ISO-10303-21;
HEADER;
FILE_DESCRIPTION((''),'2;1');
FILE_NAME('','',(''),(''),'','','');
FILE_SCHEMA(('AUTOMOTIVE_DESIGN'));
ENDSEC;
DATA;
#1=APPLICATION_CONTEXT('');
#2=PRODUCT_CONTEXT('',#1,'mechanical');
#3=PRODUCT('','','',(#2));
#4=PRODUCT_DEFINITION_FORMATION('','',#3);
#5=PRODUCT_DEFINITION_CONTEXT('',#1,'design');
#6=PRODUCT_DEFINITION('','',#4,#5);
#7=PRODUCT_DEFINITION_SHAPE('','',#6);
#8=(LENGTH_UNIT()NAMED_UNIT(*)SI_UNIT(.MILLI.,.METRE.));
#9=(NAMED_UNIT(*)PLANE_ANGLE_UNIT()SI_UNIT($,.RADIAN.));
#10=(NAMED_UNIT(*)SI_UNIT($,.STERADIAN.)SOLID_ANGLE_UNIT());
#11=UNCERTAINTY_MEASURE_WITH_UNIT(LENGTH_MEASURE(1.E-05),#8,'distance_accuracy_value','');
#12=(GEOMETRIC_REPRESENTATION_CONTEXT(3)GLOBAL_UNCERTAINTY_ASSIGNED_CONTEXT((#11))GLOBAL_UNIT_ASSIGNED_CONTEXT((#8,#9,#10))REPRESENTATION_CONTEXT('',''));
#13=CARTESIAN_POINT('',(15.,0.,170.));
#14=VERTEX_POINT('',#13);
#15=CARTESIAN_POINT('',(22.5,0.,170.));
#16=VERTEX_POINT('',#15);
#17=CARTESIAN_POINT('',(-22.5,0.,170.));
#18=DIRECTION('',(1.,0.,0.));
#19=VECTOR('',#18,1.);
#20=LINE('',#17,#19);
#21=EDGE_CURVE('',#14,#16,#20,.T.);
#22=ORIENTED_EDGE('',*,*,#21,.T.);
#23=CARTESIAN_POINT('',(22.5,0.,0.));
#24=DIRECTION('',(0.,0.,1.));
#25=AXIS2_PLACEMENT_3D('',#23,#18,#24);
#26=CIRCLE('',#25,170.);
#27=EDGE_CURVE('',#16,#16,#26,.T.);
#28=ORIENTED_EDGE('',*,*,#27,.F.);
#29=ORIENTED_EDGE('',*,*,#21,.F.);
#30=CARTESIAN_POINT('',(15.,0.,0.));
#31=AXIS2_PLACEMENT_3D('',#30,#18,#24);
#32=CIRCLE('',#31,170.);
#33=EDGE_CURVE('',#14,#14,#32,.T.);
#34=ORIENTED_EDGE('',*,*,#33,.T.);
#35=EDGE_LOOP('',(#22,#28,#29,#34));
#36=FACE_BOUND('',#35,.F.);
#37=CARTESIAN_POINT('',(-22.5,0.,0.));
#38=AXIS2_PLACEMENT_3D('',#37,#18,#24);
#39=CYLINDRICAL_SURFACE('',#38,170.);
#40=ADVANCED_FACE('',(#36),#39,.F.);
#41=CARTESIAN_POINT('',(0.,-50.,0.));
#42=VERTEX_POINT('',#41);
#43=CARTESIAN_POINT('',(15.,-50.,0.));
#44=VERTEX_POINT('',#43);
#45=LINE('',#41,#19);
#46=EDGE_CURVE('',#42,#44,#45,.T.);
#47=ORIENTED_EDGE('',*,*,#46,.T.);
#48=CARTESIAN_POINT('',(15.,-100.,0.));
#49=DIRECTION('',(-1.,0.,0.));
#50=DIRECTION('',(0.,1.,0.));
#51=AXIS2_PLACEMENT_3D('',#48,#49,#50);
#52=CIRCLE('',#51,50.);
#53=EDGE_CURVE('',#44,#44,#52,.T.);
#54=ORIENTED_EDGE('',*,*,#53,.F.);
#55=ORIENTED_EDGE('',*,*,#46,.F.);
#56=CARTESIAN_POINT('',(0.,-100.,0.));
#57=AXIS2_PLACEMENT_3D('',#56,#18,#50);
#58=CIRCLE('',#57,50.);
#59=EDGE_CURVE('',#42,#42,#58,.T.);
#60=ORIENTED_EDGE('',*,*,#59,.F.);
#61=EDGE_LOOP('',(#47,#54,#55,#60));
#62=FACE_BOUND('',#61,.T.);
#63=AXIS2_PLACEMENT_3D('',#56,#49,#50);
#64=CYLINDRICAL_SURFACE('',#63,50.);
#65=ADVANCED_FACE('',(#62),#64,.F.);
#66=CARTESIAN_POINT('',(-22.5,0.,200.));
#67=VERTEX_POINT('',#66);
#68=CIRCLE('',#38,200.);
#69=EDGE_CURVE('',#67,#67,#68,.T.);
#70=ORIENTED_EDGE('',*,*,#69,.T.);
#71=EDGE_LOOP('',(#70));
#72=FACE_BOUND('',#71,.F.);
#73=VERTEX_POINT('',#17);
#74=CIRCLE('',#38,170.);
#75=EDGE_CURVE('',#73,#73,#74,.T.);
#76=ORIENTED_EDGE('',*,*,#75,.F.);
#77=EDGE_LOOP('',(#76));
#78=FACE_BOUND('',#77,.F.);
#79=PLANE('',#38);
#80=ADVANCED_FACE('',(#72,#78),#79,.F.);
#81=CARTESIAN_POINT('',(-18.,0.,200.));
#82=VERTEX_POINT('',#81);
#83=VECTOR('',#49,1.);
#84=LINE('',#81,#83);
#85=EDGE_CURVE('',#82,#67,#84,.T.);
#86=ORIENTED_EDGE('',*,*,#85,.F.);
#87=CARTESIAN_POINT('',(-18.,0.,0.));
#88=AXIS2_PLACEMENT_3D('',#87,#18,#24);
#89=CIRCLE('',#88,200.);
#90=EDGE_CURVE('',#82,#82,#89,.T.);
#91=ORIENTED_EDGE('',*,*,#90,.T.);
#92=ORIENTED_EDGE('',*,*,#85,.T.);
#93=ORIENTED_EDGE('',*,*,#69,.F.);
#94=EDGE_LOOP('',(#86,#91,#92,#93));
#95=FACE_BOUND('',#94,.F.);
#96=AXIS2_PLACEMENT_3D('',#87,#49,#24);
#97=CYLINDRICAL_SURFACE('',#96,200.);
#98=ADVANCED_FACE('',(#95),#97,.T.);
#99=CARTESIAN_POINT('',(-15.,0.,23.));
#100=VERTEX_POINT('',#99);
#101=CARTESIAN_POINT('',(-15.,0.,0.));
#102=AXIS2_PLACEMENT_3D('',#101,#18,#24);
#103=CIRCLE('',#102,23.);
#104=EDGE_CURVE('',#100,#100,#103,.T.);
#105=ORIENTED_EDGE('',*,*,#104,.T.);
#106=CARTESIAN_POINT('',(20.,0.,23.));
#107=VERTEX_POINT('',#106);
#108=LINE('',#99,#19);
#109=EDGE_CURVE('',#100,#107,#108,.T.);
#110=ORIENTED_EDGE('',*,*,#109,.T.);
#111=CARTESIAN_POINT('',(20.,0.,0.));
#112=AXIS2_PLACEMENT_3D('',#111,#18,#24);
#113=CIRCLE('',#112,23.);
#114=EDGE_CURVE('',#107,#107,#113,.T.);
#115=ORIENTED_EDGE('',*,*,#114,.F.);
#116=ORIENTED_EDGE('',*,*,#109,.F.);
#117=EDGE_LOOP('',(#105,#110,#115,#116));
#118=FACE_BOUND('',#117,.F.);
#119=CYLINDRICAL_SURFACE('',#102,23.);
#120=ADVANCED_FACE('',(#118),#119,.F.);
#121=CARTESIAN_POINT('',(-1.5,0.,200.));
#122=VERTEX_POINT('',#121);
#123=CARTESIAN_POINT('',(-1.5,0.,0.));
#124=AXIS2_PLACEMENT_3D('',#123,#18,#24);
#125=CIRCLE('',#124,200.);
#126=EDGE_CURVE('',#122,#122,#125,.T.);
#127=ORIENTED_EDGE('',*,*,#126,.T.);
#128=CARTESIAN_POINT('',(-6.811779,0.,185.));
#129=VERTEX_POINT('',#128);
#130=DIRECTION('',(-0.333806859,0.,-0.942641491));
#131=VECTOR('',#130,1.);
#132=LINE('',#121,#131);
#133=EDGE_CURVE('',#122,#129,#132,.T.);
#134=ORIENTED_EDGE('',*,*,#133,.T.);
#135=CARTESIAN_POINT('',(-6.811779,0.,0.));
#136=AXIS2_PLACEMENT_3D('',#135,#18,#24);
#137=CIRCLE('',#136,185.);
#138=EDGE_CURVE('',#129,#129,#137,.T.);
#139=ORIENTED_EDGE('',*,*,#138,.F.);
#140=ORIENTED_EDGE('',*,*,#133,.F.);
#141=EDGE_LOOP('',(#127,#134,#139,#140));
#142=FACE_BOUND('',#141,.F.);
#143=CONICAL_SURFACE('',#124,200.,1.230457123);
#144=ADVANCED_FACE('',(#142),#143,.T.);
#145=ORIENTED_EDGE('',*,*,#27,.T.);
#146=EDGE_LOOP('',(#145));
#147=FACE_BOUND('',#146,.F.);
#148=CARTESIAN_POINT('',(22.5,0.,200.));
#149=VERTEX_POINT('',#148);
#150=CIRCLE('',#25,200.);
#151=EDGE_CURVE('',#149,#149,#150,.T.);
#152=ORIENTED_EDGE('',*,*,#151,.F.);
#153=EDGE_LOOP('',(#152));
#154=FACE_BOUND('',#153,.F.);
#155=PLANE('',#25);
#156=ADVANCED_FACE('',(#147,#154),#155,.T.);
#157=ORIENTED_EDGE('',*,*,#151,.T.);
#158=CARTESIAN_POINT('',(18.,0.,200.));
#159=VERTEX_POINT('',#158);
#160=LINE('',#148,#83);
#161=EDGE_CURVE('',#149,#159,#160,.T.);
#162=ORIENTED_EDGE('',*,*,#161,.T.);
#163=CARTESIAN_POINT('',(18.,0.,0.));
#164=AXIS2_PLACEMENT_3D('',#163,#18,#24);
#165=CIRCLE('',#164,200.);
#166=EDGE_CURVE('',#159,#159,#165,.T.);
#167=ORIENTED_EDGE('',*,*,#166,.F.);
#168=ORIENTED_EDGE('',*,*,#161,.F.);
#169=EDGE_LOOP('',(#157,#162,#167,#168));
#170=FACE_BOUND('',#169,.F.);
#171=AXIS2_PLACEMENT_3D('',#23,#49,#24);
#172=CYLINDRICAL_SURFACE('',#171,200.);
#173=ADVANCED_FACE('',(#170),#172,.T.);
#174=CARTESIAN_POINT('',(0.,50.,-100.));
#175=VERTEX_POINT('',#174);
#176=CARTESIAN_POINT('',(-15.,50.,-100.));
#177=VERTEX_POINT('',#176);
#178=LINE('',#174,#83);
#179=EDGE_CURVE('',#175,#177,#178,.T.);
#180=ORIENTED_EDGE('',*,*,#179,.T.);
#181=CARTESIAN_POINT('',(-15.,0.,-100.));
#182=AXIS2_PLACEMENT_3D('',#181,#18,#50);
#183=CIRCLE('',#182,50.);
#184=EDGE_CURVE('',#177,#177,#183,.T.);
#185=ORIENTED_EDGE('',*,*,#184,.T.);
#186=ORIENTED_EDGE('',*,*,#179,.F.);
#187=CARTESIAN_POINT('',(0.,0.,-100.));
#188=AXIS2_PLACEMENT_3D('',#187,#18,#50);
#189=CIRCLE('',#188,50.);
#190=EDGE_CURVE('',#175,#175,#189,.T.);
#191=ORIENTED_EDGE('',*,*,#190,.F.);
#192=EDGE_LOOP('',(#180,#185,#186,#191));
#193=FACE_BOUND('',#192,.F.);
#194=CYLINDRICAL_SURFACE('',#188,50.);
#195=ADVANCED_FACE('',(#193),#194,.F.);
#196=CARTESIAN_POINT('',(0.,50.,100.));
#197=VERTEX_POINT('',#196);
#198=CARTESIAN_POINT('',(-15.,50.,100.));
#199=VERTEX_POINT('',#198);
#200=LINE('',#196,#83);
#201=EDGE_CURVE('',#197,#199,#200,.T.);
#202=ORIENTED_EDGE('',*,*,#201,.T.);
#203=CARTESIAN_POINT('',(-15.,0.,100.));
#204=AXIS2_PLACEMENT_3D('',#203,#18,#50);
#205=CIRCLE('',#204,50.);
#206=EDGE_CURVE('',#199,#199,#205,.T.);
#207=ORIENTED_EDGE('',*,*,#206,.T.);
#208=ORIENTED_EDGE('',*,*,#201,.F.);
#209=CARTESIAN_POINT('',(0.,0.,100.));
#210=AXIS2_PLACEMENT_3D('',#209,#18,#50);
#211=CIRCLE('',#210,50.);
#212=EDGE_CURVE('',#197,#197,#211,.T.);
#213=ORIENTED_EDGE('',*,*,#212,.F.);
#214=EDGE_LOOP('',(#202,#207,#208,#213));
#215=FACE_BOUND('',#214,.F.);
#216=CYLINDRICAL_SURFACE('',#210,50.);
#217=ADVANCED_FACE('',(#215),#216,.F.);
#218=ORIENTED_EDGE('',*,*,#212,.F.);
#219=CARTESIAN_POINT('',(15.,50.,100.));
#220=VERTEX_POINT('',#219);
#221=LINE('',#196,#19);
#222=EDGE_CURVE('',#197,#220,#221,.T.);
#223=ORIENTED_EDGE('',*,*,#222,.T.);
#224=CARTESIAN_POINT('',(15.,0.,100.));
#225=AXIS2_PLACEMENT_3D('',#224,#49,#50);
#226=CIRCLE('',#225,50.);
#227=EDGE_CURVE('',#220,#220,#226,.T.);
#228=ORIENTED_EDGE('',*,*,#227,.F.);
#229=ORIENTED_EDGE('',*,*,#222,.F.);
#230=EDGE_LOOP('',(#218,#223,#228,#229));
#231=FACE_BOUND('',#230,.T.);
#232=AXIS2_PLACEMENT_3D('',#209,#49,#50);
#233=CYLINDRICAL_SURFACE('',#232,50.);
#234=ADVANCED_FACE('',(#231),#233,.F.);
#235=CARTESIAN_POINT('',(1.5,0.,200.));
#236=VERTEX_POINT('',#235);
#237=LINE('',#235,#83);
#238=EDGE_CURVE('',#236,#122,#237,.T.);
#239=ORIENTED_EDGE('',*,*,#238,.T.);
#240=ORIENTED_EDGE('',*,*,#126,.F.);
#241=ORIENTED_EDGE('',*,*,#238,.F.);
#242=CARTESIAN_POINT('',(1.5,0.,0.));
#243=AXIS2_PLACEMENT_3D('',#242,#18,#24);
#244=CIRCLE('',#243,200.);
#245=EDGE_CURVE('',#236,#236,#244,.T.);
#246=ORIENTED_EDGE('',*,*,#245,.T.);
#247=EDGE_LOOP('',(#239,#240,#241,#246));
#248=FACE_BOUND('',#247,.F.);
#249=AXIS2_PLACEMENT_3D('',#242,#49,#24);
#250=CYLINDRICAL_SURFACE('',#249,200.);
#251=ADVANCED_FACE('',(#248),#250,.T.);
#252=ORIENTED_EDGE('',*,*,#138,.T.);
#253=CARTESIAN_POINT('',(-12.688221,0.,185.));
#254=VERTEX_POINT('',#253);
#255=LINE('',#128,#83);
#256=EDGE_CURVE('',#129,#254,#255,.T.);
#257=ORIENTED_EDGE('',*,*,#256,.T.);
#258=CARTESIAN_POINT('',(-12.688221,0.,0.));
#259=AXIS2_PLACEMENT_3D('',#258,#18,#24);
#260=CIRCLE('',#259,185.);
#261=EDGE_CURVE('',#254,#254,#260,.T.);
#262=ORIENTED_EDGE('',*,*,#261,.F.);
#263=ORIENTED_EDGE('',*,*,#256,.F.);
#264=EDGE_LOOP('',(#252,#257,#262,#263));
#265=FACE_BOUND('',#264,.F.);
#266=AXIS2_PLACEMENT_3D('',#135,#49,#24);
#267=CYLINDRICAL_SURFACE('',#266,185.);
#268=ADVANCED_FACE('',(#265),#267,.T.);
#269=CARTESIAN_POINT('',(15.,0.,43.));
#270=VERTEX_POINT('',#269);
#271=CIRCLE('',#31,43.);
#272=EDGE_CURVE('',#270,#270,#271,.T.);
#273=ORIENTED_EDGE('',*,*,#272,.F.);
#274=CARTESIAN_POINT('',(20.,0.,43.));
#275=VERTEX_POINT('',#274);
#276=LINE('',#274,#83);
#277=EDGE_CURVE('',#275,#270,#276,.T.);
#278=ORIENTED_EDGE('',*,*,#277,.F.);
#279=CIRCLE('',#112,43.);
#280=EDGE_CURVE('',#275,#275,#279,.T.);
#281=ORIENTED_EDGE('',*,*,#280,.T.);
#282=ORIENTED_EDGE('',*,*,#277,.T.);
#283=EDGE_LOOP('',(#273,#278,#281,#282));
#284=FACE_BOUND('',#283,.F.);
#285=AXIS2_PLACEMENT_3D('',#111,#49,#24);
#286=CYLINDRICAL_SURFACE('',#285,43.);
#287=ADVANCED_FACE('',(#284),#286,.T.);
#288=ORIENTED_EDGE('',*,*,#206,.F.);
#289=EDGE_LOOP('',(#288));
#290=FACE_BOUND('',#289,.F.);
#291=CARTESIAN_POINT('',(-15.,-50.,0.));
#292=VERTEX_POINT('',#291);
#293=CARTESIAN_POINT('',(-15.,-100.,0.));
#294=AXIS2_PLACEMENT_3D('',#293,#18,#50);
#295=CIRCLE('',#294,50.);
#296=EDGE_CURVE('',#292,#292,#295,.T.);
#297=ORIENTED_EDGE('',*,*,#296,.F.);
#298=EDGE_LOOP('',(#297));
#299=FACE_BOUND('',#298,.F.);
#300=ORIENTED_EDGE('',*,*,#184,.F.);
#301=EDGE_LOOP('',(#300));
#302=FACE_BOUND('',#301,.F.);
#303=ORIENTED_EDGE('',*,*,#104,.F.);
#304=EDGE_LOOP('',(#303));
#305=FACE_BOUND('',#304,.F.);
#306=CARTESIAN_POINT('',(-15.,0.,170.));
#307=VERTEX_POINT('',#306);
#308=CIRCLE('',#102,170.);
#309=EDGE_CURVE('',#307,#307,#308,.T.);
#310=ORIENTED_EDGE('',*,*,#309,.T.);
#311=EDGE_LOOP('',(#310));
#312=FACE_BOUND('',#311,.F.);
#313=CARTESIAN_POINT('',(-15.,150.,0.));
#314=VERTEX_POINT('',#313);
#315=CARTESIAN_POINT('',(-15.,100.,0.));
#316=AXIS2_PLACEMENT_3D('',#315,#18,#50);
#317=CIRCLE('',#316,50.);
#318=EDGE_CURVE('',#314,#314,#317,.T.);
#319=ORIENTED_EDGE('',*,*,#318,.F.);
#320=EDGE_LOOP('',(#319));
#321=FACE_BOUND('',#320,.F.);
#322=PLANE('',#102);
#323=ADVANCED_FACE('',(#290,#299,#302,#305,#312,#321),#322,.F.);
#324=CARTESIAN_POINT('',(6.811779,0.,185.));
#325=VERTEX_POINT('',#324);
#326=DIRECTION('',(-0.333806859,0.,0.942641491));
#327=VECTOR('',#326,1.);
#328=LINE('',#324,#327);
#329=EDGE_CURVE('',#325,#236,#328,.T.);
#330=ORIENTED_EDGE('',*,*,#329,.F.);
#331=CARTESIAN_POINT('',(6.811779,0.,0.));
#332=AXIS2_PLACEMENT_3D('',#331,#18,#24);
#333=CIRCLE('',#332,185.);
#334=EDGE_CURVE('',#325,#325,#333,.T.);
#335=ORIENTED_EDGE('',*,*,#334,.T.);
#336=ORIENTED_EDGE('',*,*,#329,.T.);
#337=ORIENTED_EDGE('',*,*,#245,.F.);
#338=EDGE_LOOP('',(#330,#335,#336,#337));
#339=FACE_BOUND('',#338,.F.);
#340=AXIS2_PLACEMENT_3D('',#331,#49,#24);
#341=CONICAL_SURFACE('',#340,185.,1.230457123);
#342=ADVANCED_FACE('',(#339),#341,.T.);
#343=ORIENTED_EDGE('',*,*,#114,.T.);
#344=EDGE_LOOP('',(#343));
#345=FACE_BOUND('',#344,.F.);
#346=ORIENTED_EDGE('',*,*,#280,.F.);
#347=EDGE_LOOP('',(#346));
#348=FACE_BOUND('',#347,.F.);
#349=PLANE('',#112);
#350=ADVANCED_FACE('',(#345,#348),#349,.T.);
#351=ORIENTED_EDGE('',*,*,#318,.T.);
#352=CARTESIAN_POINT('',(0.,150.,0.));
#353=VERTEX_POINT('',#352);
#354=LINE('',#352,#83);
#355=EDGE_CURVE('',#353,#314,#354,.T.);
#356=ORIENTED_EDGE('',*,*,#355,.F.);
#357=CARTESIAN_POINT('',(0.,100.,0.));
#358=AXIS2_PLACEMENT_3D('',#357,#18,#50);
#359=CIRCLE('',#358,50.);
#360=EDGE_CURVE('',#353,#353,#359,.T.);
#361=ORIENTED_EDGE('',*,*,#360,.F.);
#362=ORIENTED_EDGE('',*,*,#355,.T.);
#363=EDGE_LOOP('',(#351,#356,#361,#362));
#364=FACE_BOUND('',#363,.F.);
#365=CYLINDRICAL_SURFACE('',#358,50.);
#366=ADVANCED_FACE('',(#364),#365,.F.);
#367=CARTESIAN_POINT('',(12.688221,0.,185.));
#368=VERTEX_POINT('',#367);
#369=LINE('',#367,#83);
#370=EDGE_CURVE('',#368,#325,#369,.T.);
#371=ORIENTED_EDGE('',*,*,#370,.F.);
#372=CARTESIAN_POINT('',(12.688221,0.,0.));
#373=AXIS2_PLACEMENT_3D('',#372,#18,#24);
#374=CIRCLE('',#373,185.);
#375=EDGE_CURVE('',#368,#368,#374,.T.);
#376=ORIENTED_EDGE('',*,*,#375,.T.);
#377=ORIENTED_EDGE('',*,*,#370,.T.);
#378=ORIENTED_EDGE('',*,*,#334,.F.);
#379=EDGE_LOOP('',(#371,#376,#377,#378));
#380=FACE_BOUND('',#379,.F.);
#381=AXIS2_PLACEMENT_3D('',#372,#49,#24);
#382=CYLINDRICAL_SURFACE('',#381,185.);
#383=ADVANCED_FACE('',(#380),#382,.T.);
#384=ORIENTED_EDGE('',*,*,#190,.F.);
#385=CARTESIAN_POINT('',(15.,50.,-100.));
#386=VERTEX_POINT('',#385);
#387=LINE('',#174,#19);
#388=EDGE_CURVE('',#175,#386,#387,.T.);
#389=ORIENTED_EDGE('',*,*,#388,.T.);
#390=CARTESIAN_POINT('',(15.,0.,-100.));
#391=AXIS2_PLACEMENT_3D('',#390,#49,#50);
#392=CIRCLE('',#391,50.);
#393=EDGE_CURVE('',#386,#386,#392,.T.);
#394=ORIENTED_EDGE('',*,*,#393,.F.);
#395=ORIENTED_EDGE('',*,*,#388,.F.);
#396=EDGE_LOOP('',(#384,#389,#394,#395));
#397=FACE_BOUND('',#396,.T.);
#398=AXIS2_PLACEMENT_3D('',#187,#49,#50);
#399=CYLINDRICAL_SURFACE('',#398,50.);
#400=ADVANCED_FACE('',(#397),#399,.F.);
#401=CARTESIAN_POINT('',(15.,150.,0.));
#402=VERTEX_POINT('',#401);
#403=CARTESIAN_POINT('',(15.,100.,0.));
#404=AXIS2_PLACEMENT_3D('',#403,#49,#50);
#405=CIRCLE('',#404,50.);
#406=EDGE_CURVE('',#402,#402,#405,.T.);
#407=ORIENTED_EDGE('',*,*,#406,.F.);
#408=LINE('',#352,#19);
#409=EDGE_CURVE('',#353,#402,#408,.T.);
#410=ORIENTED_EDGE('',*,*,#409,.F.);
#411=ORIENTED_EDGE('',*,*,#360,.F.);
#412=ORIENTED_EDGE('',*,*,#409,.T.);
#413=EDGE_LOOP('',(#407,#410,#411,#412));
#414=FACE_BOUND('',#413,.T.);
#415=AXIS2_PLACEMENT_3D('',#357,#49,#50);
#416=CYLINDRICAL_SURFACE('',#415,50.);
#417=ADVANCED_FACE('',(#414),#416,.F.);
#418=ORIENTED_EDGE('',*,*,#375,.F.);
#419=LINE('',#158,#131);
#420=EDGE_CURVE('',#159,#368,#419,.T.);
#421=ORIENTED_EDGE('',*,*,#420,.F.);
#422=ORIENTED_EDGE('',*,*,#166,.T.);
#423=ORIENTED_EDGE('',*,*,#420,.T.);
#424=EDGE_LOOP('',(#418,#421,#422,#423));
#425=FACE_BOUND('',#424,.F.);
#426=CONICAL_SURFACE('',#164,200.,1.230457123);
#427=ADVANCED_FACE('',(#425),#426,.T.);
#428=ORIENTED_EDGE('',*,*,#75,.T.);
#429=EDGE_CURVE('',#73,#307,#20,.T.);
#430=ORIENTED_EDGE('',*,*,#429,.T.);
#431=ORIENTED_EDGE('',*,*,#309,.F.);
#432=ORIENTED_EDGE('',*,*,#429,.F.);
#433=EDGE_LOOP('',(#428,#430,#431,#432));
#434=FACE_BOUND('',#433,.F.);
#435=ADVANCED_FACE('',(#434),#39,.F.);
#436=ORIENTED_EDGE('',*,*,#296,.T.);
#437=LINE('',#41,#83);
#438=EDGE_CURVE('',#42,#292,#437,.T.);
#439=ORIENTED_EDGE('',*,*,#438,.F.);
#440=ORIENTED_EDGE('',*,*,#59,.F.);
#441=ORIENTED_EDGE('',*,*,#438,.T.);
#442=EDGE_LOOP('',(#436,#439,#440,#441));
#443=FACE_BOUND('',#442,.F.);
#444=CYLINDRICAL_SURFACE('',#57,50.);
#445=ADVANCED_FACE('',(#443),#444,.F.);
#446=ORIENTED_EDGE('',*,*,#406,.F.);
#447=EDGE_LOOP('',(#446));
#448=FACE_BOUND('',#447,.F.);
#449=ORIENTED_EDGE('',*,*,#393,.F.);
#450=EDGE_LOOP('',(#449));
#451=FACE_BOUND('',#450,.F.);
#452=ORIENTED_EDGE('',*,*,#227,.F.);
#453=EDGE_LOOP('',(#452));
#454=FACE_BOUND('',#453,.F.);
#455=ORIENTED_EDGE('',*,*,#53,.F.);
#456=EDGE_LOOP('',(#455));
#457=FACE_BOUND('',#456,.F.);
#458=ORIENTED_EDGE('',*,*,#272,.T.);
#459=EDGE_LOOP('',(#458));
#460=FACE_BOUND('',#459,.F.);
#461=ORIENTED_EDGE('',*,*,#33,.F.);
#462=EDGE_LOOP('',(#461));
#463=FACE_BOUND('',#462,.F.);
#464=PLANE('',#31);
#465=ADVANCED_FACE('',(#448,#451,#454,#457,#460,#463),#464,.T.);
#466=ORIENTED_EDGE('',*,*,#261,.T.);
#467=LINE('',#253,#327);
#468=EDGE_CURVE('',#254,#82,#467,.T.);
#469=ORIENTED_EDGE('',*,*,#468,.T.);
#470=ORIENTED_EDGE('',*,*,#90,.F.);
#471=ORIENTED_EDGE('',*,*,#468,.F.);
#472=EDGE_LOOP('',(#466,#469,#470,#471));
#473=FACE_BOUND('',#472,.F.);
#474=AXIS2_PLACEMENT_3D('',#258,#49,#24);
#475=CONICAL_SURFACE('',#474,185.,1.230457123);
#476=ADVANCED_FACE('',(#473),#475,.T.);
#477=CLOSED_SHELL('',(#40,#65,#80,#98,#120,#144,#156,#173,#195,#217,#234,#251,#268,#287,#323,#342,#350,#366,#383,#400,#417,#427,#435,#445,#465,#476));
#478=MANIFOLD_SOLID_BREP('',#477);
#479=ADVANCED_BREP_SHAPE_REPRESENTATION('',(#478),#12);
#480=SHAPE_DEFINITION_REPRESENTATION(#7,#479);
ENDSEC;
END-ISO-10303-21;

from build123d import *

# Parameters (mm, degrees)
F2_R          = 50
F3_DEPTH      = 50
F3_DEPTH_BACK = 50


with BuildPart() as f1:
    # F0 (on Front) → F1 (revolve)
    with BuildSketch(Plane.XZ):
        Polygon((-15, 170), (0, 170), (15, 170), (22.5, 170), (22.5, 200), (18, 200), (12.688221412, 185), (6.811778588, 185), (1.5, 200), (0, 200), (-1.5, 200), (-6.811778588, 185), (-12.688221412, 185), (-18, 200), (-22.5, 200), (-22.5, 170), align=None)
        Polygon((15, 170), (0, 170), (-15, 170), (-15, 23), (20, 23), (20, 43), (15, 43), align=None)
    revolve(axis=Axis((-0.1413226128, 0, 0), (1, 0, 0)))

    # F2 (on Right) → F3 (cut, two sides)
    with BuildSketch(Plane.YZ) as f3_sk:
        with Locations((0, -100)):
            Circle(F2_R)
        with Locations((100, 0)):
            Circle(F2_R)
        with Locations((-100, 0)):
            Circle(F2_R)
        with Locations((0, 100)):
            Circle(F2_R)
    extrude(amount=-F3_DEPTH, mode=Mode.SUBTRACT)
    extrude(f3_sk.sketch, amount=F3_DEPTH_BACK, mode=Mode.SUBTRACT)


solid = f1.part
